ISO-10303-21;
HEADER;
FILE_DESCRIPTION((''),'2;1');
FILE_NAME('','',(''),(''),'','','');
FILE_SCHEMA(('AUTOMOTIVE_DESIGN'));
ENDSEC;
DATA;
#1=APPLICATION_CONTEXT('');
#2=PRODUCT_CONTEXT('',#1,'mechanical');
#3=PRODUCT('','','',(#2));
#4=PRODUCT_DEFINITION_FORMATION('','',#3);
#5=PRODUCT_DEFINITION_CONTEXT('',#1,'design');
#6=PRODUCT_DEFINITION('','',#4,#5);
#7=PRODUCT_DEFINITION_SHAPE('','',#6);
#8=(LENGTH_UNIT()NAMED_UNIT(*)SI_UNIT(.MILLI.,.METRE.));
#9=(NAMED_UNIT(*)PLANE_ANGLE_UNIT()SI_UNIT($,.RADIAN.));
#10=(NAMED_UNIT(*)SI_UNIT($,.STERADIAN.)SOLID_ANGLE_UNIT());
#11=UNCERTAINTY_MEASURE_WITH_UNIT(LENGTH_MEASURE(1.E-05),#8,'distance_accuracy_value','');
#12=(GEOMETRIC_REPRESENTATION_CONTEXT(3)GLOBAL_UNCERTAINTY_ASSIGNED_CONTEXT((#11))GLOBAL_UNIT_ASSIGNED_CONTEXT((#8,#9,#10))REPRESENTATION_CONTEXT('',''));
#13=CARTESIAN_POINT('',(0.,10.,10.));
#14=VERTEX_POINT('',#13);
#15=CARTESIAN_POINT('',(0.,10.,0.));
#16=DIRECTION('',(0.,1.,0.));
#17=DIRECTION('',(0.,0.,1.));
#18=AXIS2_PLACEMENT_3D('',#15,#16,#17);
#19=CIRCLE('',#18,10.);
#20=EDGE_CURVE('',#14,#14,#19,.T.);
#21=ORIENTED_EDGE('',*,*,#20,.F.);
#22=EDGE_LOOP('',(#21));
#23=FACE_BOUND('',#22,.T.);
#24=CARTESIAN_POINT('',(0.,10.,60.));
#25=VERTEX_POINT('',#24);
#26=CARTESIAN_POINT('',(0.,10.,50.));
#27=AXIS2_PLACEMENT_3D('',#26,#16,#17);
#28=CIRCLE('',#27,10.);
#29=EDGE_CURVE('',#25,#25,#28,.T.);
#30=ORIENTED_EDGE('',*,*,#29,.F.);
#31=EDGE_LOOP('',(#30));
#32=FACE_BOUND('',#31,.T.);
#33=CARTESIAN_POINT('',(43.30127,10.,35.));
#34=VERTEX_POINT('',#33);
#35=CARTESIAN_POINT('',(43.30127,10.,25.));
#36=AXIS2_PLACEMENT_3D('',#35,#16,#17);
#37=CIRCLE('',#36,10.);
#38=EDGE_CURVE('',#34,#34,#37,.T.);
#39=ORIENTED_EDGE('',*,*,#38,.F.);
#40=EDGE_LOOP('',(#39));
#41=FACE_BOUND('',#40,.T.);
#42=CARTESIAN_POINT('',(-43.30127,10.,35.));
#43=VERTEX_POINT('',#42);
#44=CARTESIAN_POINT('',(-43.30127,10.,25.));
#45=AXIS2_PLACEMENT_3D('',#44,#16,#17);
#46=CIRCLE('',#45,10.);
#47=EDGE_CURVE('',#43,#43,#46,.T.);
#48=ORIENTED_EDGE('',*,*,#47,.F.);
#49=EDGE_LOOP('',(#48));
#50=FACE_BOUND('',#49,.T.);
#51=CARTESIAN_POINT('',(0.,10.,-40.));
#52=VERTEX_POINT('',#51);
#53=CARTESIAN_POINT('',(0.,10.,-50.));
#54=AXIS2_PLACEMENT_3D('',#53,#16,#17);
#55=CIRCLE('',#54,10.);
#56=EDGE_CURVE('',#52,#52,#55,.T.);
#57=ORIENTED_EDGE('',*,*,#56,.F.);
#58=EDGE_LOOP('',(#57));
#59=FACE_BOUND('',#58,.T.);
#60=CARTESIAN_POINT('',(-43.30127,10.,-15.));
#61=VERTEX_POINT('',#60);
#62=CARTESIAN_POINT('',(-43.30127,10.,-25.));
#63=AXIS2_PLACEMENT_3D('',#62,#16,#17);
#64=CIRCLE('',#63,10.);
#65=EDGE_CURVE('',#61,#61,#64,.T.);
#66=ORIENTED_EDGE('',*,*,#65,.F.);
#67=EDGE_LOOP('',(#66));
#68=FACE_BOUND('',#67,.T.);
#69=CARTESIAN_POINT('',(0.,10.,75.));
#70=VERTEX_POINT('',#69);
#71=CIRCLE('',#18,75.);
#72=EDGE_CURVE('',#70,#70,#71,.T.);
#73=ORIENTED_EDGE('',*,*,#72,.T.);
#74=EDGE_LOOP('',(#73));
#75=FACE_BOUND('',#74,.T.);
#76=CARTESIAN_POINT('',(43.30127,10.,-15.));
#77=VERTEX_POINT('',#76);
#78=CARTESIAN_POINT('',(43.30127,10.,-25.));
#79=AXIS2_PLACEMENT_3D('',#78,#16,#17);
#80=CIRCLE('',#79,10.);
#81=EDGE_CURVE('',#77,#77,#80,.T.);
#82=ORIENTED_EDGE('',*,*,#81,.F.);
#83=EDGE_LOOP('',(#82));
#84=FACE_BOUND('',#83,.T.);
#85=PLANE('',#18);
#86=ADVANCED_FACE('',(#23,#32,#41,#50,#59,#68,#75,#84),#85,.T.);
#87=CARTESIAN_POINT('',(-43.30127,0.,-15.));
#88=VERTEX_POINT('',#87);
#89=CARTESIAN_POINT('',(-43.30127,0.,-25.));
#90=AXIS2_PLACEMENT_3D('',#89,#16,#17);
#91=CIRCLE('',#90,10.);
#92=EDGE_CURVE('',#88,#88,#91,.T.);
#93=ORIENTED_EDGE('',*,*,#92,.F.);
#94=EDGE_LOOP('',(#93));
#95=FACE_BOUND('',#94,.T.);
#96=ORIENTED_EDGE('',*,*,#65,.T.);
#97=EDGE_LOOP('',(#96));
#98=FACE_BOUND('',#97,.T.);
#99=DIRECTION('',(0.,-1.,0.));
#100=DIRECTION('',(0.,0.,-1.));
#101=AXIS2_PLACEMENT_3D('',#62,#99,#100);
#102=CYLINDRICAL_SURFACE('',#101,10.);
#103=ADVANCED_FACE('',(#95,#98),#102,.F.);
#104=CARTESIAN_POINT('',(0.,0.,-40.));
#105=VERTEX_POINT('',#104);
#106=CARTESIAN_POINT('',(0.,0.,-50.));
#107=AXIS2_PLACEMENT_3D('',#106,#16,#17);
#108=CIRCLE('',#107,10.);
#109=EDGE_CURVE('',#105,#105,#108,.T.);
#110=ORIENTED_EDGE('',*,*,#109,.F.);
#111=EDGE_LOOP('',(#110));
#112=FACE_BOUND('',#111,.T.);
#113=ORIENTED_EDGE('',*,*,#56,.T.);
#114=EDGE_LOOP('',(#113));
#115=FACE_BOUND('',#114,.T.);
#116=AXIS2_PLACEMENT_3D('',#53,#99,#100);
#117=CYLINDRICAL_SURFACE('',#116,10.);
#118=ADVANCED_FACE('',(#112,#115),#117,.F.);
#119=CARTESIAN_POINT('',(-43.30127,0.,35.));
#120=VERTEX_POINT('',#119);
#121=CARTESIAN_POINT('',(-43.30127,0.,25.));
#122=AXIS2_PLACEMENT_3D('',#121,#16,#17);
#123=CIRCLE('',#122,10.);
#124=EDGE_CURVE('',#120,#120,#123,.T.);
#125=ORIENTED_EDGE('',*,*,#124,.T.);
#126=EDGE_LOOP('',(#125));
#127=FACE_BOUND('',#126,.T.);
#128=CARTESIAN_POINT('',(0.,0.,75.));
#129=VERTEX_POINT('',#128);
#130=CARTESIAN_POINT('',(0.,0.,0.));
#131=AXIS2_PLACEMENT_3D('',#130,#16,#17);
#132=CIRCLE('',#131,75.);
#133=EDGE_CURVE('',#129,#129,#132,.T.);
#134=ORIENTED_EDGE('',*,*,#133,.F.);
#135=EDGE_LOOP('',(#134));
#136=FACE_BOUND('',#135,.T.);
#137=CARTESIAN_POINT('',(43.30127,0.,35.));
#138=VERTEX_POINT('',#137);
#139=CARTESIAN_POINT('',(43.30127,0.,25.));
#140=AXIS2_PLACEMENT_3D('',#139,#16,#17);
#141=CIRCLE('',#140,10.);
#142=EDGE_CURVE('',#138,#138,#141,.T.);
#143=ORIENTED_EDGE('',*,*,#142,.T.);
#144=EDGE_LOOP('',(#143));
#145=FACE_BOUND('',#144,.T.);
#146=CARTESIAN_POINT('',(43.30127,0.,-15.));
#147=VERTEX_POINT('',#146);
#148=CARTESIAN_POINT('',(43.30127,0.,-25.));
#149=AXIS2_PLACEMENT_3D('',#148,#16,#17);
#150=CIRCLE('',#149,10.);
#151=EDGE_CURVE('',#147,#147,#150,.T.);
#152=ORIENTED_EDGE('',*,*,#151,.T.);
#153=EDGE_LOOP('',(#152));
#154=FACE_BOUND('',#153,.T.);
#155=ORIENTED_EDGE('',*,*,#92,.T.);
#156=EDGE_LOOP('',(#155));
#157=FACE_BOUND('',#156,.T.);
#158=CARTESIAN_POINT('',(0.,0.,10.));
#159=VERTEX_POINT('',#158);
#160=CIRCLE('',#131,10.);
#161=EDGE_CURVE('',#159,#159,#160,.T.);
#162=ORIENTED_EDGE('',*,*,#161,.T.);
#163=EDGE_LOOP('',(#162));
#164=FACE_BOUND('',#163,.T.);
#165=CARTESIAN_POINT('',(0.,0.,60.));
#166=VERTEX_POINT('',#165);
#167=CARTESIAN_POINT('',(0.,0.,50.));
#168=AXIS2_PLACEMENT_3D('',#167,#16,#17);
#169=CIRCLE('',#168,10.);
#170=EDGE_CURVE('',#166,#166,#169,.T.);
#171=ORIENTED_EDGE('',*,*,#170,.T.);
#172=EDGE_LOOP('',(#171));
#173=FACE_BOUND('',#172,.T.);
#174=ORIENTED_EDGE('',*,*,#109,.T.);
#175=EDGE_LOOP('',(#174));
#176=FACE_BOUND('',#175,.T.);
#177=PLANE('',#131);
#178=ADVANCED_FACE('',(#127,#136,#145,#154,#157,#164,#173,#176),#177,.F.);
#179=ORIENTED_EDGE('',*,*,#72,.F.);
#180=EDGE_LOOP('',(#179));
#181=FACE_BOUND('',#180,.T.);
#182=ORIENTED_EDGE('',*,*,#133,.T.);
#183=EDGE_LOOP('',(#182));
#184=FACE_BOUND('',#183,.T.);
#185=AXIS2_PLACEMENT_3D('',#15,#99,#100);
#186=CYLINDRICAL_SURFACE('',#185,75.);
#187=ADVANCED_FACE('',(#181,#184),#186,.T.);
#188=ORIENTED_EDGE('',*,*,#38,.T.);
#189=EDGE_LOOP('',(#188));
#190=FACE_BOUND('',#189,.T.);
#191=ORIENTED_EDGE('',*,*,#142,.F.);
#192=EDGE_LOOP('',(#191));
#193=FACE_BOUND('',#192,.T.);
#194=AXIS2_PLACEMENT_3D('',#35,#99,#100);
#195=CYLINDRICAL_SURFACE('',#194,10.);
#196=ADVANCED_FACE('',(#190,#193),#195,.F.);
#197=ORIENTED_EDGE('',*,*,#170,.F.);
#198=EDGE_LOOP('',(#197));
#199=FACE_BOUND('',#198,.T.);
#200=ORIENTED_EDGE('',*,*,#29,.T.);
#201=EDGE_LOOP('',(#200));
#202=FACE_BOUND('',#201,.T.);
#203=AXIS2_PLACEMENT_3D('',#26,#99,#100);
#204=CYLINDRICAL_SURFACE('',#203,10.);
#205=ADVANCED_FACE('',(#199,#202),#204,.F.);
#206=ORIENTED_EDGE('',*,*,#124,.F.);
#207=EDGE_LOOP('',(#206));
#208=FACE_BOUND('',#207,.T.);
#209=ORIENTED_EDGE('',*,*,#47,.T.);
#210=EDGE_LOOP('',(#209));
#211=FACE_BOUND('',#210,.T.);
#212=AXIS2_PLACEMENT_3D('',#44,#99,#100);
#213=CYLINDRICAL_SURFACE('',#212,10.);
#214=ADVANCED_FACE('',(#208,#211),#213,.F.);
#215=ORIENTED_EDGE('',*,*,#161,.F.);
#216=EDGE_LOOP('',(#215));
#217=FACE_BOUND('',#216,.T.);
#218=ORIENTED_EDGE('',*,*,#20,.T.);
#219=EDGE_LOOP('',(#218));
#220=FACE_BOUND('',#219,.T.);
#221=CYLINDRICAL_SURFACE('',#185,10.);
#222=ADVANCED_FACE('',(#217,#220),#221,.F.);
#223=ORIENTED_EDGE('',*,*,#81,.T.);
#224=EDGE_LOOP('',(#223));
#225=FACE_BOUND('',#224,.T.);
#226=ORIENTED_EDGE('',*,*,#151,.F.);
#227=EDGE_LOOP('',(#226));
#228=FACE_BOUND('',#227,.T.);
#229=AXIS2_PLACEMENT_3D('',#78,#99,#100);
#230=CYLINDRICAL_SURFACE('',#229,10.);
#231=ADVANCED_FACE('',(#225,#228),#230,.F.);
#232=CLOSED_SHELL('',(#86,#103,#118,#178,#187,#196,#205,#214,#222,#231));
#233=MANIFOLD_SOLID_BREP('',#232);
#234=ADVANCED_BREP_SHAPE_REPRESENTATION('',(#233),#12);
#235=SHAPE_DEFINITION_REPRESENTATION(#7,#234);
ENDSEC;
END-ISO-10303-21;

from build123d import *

# Parameters (mm, degrees)
SKETCH1_R           = 75
SKETCH1_R_2         = 10
BOSS_EXTRUDE2_DEPTH = 10


with BuildPart() as part:
    # Sketch1 → Boss-Extrude2 (new body)
    with BuildSketch(Plane(origin=(0, 0, 0), x_dir=(1, 0, 0), z_dir=(0, 1, 0))):
        with Locations(Location((0, 0, 0), (0, 0, 270))):
            Circle(SKETCH1_R)
        with Locations(Location((0, 0, 0), (0, 0, 270))):
            Circle(SKETCH1_R_2, mode=Mode.SUBTRACT)
        with Locations(Location((-43.301270189, 25, 0), (0, 0, 270))):
            Circle(SKETCH1_R_2, mode=Mode.SUBTRACT)
        with Locations(Location((-43.301270189, -25, 0), (0, 0, 270))):
            Circle(SKETCH1_R_2, mode=Mode.SUBTRACT)
        with Locations(Location((0, -50, 0), (0, 0, 270))):
            Circle(SKETCH1_R_2, mode=Mode.SUBTRACT)
        with Locations(Location((43.301270189, -25, 0), (0, 0, 270))):
            Circle(SKETCH1_R_2, mode=Mode.SUBTRACT)
        with Locations(Location((43.301270189, 25, 0), (0, 0, 270))):
            Circle(SKETCH1_R_2, mode=Mode.SUBTRACT)
        with Locations(Location((0, 50, 0), (0, 0, 270))):
            Circle(SKETCH1_R_2, mode=Mode.SUBTRACT)
    extrude(amount=BOSS_EXTRUDE2_DEPTH)


solid = part.part
